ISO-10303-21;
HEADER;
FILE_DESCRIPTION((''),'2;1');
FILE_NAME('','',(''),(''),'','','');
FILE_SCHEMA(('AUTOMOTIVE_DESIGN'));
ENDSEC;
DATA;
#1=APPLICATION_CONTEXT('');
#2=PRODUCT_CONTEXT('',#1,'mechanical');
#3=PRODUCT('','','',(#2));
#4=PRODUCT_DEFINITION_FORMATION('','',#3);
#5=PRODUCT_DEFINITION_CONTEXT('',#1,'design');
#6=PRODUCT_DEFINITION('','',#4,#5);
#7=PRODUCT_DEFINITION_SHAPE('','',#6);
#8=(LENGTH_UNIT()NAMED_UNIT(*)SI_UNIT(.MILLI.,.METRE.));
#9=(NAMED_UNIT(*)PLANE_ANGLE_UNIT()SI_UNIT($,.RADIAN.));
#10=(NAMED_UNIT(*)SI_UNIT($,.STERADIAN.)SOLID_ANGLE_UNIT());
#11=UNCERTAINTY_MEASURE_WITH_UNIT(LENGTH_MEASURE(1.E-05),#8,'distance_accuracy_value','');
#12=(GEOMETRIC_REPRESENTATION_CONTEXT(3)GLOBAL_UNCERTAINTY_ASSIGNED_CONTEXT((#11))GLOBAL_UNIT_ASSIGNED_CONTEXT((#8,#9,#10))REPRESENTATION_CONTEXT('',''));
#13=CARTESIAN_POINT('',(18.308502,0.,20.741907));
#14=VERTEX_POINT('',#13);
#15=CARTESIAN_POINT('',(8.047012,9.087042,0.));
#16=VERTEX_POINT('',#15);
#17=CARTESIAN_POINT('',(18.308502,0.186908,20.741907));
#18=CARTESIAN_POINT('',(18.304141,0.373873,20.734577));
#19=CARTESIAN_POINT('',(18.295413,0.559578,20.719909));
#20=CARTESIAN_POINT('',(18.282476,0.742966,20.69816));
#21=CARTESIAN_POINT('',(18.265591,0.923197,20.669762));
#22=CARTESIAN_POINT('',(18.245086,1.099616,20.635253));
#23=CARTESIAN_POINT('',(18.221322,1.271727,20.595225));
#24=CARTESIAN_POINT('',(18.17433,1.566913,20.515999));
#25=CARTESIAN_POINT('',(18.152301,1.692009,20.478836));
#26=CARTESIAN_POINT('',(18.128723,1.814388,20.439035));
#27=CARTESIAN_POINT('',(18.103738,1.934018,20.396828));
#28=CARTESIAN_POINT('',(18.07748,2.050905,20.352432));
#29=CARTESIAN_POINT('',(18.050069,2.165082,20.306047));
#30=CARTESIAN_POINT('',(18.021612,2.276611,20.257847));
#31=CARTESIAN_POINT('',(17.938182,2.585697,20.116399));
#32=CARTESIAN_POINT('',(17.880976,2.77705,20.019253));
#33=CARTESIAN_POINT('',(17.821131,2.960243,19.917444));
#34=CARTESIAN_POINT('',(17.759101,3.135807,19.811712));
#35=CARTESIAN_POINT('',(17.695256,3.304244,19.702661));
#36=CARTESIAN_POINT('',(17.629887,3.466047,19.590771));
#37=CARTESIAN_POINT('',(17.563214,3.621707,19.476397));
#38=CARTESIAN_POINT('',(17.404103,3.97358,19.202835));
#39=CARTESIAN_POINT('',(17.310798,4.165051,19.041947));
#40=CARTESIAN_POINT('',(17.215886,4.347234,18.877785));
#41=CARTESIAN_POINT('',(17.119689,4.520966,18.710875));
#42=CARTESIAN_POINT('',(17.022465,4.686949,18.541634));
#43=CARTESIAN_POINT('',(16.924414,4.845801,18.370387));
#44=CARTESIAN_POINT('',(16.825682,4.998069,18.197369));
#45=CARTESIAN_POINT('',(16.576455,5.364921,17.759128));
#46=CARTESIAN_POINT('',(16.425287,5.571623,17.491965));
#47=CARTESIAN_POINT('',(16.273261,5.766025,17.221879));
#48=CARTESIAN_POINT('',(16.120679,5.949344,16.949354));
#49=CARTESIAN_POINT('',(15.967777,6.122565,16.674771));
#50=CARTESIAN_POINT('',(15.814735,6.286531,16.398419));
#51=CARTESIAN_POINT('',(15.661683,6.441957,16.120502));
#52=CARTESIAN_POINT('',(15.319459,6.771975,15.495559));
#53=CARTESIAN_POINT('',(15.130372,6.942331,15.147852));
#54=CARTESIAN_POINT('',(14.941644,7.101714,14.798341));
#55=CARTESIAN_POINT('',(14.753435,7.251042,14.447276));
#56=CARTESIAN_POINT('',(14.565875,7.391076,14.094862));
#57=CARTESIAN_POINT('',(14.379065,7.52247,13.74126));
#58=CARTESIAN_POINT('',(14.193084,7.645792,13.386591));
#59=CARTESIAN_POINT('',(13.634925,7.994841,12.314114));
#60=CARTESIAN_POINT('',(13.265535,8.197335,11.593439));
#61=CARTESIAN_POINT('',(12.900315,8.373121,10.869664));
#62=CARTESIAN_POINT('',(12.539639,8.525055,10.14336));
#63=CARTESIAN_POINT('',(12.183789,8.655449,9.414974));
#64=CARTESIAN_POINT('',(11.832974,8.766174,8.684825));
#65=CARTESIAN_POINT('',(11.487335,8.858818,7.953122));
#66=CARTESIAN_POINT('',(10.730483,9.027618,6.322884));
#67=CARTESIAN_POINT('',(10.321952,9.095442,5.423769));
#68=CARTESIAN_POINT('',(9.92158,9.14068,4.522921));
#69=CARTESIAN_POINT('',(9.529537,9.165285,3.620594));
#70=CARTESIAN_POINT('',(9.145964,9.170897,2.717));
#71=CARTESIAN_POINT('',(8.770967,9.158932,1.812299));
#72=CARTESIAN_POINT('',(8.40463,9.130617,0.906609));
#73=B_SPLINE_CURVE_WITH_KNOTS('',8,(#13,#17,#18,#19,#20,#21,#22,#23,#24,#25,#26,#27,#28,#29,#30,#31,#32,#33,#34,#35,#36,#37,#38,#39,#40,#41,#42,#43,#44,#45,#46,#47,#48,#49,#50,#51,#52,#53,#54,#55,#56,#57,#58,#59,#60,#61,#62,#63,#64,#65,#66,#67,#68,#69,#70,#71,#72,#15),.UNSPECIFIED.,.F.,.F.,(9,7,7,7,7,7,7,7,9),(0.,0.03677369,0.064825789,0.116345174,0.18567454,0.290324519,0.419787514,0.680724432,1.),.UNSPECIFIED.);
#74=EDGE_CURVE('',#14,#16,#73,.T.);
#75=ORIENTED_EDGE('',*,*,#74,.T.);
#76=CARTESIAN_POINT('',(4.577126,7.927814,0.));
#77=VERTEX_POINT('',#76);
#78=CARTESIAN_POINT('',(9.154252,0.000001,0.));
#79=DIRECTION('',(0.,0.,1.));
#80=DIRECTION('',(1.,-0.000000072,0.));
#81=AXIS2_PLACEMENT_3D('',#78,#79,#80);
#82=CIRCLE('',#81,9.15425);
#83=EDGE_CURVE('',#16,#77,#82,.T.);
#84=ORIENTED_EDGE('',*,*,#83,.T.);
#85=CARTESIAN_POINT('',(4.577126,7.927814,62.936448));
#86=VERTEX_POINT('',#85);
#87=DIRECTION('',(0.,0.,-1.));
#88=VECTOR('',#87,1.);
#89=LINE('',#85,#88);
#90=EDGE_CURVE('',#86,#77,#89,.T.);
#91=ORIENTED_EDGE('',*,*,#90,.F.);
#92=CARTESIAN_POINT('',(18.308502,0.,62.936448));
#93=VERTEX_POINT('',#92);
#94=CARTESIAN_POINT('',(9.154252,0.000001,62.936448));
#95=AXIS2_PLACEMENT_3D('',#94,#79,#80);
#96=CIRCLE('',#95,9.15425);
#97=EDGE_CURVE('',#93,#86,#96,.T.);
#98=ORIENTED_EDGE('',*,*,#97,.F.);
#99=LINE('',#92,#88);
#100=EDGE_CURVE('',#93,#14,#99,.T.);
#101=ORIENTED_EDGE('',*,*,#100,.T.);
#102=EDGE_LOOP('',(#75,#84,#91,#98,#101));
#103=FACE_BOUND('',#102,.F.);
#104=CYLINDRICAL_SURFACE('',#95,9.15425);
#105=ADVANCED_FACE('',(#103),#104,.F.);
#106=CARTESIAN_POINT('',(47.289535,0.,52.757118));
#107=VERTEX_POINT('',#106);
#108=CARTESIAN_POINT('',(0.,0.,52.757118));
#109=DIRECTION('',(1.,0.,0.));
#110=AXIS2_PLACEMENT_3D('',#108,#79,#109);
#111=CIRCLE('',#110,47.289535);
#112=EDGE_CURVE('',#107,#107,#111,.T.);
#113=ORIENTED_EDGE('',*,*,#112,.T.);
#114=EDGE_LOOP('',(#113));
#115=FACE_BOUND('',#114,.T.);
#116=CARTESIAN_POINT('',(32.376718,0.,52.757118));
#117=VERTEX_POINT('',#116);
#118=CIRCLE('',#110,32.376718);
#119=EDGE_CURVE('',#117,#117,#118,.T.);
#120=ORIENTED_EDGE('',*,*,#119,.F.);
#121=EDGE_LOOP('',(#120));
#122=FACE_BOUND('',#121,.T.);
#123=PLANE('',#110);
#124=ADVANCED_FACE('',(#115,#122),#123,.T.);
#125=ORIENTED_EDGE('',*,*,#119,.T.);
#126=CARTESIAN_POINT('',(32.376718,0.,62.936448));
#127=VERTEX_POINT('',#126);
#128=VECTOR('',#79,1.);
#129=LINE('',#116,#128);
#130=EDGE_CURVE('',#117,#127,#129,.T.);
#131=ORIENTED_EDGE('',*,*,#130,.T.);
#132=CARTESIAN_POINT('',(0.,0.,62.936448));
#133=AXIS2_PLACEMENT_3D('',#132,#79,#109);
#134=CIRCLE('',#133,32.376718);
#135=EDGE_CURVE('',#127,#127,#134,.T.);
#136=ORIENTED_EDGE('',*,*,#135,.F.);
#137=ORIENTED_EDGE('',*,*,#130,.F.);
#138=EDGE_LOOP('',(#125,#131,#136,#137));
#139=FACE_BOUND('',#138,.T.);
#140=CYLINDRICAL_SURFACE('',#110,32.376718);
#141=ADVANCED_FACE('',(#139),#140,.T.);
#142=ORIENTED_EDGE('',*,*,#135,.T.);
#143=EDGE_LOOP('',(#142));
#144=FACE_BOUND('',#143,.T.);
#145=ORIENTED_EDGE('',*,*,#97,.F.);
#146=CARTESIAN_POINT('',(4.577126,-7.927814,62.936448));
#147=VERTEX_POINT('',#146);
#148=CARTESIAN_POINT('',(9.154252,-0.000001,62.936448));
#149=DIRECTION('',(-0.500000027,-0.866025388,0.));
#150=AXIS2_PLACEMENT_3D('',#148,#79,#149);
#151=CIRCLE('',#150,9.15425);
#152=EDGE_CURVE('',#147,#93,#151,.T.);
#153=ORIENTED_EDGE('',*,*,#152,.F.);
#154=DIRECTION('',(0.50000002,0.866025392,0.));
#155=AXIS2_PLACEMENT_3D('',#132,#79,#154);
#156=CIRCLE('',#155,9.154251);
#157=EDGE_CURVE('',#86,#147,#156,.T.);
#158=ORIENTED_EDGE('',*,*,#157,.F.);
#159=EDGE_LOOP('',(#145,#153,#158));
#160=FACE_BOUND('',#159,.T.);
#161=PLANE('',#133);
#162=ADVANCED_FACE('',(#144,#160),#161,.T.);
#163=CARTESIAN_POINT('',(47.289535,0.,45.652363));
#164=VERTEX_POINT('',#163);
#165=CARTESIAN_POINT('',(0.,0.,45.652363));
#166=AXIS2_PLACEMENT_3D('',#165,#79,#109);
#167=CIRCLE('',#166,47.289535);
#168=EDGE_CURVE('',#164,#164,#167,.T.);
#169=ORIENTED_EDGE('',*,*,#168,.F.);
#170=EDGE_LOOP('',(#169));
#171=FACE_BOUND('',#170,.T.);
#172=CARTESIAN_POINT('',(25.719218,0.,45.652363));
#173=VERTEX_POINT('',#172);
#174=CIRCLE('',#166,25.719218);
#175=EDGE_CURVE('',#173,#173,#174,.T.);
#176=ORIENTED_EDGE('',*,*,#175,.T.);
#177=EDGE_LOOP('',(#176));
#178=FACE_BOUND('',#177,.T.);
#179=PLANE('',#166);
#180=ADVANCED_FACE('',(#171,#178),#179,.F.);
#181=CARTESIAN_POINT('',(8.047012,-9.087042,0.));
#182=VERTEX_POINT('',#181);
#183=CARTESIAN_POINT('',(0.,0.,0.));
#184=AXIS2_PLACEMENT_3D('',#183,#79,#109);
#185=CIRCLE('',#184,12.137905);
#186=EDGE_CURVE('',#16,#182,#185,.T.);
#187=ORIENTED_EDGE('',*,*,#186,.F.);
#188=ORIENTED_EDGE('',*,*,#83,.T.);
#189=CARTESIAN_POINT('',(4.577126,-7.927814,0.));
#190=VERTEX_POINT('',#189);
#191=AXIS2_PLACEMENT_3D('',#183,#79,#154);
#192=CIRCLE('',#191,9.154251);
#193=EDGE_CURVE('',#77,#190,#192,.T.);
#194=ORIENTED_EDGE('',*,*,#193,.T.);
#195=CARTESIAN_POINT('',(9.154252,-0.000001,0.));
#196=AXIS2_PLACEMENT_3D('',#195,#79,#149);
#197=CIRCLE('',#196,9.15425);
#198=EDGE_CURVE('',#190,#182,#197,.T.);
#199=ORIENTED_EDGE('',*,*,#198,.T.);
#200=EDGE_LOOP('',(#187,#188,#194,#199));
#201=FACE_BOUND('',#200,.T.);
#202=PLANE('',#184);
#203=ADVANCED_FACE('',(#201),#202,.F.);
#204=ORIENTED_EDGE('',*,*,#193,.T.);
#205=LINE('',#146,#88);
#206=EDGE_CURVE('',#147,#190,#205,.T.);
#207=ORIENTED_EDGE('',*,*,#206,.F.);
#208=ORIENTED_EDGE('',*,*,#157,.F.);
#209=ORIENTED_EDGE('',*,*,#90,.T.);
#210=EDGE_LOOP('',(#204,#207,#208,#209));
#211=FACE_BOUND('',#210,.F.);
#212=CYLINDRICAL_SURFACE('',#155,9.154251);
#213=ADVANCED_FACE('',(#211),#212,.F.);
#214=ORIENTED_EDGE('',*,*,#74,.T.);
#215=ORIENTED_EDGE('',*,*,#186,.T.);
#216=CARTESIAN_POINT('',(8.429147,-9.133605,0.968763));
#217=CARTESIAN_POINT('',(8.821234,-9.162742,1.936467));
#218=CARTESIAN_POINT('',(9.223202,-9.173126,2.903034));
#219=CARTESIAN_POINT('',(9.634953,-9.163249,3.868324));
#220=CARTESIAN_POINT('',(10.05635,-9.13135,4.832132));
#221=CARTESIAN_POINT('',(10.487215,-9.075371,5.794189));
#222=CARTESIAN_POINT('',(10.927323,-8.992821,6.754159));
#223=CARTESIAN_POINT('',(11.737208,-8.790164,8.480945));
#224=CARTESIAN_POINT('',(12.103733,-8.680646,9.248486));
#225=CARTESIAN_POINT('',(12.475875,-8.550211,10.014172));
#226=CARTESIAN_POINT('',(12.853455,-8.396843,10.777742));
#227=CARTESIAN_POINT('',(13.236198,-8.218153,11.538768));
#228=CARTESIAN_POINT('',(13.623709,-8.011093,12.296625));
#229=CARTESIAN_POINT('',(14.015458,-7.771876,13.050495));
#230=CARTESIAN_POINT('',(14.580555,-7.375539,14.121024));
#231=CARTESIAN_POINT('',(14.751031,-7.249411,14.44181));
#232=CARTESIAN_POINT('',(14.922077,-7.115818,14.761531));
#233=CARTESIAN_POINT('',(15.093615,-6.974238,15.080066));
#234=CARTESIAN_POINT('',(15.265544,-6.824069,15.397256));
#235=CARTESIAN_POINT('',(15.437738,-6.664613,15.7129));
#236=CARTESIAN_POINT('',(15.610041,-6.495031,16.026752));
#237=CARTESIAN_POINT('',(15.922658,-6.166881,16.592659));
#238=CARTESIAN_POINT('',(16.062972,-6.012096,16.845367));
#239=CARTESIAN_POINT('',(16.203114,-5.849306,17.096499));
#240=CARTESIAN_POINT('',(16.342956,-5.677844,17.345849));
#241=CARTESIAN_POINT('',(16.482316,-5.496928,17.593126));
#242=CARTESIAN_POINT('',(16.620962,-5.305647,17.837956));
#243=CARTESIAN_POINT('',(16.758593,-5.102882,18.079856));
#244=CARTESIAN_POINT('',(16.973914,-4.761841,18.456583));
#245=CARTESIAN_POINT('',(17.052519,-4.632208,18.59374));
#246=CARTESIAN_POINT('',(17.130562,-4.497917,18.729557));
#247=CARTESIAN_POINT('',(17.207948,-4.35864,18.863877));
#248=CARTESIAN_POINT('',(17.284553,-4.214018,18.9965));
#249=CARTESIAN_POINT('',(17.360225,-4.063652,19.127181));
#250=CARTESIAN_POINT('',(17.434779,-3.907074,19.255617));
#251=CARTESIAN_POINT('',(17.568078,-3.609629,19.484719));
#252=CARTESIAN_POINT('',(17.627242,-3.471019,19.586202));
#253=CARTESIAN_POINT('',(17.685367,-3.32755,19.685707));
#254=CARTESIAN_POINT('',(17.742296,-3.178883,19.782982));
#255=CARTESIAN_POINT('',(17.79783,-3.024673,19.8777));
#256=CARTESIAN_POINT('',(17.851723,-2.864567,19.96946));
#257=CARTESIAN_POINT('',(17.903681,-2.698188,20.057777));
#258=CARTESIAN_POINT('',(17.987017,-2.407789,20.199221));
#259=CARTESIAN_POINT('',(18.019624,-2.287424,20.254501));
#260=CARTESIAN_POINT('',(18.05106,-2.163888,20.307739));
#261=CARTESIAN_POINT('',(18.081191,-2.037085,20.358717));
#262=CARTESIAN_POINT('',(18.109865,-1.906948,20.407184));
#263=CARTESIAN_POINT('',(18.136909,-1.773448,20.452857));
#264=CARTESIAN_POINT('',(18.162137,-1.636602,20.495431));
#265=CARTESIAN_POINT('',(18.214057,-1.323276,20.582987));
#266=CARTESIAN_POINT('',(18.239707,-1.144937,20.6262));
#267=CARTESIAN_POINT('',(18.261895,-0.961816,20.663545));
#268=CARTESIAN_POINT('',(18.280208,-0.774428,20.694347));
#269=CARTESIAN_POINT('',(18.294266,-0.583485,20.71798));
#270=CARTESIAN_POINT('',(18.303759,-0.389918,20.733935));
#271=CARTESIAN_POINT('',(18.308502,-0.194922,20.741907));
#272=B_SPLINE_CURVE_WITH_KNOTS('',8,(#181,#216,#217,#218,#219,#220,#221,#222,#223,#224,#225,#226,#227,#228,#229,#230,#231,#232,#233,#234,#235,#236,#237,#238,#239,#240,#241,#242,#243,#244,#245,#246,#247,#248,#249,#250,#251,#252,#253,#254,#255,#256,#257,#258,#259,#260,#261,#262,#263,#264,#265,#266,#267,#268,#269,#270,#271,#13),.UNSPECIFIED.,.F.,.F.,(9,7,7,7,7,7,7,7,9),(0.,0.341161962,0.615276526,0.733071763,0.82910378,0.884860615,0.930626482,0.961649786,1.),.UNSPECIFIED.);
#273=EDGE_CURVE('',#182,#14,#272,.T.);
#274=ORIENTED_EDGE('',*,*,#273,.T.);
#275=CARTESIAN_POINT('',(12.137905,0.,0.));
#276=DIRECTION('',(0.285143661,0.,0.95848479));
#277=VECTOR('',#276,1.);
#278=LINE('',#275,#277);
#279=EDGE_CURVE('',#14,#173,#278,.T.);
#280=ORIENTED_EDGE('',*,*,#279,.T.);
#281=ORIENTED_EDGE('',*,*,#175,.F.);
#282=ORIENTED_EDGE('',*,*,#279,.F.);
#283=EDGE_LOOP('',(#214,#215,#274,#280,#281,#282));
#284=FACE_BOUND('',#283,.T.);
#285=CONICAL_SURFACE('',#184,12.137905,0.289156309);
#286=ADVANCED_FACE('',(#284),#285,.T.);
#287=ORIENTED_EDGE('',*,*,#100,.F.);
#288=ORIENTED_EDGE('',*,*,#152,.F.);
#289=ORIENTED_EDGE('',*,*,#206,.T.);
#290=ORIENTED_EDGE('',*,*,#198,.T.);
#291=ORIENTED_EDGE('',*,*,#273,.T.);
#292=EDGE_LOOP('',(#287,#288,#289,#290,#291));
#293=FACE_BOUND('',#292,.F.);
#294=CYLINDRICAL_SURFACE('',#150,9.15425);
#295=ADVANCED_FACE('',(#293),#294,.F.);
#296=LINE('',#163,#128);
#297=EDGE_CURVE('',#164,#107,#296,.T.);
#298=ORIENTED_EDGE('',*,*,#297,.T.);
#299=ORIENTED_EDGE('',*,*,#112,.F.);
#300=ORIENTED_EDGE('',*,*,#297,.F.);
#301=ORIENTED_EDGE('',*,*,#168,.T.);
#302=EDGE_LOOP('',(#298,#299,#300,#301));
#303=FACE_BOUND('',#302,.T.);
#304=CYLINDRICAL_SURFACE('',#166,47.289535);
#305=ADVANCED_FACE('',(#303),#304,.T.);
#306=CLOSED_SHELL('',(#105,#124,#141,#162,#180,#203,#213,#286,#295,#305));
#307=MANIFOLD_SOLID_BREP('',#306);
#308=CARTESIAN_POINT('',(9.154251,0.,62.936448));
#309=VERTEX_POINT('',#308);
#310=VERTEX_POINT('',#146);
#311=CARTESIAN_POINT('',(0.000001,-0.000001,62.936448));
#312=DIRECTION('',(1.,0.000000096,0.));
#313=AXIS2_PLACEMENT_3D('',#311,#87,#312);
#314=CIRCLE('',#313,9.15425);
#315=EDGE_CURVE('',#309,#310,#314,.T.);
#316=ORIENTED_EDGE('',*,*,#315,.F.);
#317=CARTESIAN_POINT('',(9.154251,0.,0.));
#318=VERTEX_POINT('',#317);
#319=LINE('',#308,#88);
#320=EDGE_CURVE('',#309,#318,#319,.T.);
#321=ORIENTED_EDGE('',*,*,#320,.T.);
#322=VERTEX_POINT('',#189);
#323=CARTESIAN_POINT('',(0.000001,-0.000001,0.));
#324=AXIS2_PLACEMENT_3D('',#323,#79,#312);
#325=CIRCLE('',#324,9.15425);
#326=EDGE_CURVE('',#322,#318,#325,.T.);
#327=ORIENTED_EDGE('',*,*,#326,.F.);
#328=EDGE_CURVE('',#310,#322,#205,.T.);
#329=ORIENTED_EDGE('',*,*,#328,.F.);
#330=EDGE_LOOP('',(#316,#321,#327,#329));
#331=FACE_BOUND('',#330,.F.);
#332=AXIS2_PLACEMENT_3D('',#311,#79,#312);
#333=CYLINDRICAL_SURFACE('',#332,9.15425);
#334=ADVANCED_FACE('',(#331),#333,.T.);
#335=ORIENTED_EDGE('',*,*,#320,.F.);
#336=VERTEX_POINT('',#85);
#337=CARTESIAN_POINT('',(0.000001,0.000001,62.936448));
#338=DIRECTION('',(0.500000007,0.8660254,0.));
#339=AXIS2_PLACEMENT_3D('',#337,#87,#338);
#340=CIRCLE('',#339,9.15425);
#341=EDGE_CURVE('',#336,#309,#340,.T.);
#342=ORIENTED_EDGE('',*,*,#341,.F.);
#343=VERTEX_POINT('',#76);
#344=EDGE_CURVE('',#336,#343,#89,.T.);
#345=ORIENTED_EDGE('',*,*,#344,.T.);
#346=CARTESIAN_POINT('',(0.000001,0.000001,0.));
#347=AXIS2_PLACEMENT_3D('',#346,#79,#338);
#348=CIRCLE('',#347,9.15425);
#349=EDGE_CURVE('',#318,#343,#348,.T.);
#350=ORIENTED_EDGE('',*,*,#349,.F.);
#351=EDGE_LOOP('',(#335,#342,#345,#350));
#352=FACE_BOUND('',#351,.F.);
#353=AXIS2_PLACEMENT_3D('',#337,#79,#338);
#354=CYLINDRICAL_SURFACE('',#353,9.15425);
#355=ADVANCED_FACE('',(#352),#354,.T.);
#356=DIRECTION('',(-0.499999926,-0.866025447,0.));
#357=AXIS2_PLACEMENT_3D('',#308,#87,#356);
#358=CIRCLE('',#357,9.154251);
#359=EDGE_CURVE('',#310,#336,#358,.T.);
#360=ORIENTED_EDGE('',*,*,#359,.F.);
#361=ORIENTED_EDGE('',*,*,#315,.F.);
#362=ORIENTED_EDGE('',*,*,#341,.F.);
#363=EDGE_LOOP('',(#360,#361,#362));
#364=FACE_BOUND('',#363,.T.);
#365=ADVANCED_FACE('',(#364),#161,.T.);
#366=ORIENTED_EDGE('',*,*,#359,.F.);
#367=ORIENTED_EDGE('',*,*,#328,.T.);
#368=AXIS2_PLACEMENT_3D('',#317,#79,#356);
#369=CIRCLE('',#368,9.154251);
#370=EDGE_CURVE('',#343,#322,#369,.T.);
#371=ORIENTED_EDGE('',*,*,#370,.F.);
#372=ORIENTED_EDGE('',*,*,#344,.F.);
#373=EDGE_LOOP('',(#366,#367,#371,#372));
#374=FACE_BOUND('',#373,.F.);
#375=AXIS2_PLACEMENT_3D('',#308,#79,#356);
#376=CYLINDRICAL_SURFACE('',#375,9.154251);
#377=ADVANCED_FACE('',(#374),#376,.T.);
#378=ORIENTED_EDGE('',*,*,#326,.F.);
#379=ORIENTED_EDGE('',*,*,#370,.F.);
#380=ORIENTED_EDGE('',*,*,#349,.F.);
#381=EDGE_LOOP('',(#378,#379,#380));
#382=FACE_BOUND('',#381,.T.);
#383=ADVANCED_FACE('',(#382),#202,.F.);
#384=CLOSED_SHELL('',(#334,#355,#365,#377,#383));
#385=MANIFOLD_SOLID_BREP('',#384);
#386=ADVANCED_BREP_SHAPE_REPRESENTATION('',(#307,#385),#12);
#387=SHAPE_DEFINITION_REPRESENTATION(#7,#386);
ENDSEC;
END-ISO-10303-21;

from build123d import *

# Parameters (mm, degrees)
F3_DEPTH = 127


with BuildPart() as f1:
    # F0 (on Front) → F1 (revolve)
    with BuildSketch(Plane.XZ):
        Polygon((0, 62.936448), (0, 0), (12.137905, 0), (25.719218, 45.652363), (47.289535, 45.652363), (47.289535, 52.757118), (32.376718, 52.757118), (32.376718, 62.936448), align=None)
    revolve(axis=Axis((0, 0, 31.468224), (0, 0, 1)))

    # F2 (on face) → F3 (cut)
    with BuildSketch(Plane.XY.offset(62.936448)):
        with BuildLine():
            ThreePointArc((4.577126, -7.927814), (0, 0), (4.577126, 7.927814))
            ThreePointArc((4.577126, 7.927814), (-9.154251, 0), (4.577126, -7.927814))
        make_face()
        with BuildLine():
            ThreePointArc((4.577126, 7.927814), (7.927814, 4.577126), (9.154251, 0))
            ThreePointArc((9.154251, 0), (7.927814, -4.577126), (4.577126, -7.927814))
            ThreePointArc((4.577126, -7.927814), (13.731377, -7.927814), (18.308502, 0))
            ThreePointArc((18.308502, 0), (13.731377, 7.927814), (4.577126, 7.927814))
        make_face()
    extrude(amount=-F3_DEPTH, mode=Mode.SUBTRACT)


solid = f1.part
